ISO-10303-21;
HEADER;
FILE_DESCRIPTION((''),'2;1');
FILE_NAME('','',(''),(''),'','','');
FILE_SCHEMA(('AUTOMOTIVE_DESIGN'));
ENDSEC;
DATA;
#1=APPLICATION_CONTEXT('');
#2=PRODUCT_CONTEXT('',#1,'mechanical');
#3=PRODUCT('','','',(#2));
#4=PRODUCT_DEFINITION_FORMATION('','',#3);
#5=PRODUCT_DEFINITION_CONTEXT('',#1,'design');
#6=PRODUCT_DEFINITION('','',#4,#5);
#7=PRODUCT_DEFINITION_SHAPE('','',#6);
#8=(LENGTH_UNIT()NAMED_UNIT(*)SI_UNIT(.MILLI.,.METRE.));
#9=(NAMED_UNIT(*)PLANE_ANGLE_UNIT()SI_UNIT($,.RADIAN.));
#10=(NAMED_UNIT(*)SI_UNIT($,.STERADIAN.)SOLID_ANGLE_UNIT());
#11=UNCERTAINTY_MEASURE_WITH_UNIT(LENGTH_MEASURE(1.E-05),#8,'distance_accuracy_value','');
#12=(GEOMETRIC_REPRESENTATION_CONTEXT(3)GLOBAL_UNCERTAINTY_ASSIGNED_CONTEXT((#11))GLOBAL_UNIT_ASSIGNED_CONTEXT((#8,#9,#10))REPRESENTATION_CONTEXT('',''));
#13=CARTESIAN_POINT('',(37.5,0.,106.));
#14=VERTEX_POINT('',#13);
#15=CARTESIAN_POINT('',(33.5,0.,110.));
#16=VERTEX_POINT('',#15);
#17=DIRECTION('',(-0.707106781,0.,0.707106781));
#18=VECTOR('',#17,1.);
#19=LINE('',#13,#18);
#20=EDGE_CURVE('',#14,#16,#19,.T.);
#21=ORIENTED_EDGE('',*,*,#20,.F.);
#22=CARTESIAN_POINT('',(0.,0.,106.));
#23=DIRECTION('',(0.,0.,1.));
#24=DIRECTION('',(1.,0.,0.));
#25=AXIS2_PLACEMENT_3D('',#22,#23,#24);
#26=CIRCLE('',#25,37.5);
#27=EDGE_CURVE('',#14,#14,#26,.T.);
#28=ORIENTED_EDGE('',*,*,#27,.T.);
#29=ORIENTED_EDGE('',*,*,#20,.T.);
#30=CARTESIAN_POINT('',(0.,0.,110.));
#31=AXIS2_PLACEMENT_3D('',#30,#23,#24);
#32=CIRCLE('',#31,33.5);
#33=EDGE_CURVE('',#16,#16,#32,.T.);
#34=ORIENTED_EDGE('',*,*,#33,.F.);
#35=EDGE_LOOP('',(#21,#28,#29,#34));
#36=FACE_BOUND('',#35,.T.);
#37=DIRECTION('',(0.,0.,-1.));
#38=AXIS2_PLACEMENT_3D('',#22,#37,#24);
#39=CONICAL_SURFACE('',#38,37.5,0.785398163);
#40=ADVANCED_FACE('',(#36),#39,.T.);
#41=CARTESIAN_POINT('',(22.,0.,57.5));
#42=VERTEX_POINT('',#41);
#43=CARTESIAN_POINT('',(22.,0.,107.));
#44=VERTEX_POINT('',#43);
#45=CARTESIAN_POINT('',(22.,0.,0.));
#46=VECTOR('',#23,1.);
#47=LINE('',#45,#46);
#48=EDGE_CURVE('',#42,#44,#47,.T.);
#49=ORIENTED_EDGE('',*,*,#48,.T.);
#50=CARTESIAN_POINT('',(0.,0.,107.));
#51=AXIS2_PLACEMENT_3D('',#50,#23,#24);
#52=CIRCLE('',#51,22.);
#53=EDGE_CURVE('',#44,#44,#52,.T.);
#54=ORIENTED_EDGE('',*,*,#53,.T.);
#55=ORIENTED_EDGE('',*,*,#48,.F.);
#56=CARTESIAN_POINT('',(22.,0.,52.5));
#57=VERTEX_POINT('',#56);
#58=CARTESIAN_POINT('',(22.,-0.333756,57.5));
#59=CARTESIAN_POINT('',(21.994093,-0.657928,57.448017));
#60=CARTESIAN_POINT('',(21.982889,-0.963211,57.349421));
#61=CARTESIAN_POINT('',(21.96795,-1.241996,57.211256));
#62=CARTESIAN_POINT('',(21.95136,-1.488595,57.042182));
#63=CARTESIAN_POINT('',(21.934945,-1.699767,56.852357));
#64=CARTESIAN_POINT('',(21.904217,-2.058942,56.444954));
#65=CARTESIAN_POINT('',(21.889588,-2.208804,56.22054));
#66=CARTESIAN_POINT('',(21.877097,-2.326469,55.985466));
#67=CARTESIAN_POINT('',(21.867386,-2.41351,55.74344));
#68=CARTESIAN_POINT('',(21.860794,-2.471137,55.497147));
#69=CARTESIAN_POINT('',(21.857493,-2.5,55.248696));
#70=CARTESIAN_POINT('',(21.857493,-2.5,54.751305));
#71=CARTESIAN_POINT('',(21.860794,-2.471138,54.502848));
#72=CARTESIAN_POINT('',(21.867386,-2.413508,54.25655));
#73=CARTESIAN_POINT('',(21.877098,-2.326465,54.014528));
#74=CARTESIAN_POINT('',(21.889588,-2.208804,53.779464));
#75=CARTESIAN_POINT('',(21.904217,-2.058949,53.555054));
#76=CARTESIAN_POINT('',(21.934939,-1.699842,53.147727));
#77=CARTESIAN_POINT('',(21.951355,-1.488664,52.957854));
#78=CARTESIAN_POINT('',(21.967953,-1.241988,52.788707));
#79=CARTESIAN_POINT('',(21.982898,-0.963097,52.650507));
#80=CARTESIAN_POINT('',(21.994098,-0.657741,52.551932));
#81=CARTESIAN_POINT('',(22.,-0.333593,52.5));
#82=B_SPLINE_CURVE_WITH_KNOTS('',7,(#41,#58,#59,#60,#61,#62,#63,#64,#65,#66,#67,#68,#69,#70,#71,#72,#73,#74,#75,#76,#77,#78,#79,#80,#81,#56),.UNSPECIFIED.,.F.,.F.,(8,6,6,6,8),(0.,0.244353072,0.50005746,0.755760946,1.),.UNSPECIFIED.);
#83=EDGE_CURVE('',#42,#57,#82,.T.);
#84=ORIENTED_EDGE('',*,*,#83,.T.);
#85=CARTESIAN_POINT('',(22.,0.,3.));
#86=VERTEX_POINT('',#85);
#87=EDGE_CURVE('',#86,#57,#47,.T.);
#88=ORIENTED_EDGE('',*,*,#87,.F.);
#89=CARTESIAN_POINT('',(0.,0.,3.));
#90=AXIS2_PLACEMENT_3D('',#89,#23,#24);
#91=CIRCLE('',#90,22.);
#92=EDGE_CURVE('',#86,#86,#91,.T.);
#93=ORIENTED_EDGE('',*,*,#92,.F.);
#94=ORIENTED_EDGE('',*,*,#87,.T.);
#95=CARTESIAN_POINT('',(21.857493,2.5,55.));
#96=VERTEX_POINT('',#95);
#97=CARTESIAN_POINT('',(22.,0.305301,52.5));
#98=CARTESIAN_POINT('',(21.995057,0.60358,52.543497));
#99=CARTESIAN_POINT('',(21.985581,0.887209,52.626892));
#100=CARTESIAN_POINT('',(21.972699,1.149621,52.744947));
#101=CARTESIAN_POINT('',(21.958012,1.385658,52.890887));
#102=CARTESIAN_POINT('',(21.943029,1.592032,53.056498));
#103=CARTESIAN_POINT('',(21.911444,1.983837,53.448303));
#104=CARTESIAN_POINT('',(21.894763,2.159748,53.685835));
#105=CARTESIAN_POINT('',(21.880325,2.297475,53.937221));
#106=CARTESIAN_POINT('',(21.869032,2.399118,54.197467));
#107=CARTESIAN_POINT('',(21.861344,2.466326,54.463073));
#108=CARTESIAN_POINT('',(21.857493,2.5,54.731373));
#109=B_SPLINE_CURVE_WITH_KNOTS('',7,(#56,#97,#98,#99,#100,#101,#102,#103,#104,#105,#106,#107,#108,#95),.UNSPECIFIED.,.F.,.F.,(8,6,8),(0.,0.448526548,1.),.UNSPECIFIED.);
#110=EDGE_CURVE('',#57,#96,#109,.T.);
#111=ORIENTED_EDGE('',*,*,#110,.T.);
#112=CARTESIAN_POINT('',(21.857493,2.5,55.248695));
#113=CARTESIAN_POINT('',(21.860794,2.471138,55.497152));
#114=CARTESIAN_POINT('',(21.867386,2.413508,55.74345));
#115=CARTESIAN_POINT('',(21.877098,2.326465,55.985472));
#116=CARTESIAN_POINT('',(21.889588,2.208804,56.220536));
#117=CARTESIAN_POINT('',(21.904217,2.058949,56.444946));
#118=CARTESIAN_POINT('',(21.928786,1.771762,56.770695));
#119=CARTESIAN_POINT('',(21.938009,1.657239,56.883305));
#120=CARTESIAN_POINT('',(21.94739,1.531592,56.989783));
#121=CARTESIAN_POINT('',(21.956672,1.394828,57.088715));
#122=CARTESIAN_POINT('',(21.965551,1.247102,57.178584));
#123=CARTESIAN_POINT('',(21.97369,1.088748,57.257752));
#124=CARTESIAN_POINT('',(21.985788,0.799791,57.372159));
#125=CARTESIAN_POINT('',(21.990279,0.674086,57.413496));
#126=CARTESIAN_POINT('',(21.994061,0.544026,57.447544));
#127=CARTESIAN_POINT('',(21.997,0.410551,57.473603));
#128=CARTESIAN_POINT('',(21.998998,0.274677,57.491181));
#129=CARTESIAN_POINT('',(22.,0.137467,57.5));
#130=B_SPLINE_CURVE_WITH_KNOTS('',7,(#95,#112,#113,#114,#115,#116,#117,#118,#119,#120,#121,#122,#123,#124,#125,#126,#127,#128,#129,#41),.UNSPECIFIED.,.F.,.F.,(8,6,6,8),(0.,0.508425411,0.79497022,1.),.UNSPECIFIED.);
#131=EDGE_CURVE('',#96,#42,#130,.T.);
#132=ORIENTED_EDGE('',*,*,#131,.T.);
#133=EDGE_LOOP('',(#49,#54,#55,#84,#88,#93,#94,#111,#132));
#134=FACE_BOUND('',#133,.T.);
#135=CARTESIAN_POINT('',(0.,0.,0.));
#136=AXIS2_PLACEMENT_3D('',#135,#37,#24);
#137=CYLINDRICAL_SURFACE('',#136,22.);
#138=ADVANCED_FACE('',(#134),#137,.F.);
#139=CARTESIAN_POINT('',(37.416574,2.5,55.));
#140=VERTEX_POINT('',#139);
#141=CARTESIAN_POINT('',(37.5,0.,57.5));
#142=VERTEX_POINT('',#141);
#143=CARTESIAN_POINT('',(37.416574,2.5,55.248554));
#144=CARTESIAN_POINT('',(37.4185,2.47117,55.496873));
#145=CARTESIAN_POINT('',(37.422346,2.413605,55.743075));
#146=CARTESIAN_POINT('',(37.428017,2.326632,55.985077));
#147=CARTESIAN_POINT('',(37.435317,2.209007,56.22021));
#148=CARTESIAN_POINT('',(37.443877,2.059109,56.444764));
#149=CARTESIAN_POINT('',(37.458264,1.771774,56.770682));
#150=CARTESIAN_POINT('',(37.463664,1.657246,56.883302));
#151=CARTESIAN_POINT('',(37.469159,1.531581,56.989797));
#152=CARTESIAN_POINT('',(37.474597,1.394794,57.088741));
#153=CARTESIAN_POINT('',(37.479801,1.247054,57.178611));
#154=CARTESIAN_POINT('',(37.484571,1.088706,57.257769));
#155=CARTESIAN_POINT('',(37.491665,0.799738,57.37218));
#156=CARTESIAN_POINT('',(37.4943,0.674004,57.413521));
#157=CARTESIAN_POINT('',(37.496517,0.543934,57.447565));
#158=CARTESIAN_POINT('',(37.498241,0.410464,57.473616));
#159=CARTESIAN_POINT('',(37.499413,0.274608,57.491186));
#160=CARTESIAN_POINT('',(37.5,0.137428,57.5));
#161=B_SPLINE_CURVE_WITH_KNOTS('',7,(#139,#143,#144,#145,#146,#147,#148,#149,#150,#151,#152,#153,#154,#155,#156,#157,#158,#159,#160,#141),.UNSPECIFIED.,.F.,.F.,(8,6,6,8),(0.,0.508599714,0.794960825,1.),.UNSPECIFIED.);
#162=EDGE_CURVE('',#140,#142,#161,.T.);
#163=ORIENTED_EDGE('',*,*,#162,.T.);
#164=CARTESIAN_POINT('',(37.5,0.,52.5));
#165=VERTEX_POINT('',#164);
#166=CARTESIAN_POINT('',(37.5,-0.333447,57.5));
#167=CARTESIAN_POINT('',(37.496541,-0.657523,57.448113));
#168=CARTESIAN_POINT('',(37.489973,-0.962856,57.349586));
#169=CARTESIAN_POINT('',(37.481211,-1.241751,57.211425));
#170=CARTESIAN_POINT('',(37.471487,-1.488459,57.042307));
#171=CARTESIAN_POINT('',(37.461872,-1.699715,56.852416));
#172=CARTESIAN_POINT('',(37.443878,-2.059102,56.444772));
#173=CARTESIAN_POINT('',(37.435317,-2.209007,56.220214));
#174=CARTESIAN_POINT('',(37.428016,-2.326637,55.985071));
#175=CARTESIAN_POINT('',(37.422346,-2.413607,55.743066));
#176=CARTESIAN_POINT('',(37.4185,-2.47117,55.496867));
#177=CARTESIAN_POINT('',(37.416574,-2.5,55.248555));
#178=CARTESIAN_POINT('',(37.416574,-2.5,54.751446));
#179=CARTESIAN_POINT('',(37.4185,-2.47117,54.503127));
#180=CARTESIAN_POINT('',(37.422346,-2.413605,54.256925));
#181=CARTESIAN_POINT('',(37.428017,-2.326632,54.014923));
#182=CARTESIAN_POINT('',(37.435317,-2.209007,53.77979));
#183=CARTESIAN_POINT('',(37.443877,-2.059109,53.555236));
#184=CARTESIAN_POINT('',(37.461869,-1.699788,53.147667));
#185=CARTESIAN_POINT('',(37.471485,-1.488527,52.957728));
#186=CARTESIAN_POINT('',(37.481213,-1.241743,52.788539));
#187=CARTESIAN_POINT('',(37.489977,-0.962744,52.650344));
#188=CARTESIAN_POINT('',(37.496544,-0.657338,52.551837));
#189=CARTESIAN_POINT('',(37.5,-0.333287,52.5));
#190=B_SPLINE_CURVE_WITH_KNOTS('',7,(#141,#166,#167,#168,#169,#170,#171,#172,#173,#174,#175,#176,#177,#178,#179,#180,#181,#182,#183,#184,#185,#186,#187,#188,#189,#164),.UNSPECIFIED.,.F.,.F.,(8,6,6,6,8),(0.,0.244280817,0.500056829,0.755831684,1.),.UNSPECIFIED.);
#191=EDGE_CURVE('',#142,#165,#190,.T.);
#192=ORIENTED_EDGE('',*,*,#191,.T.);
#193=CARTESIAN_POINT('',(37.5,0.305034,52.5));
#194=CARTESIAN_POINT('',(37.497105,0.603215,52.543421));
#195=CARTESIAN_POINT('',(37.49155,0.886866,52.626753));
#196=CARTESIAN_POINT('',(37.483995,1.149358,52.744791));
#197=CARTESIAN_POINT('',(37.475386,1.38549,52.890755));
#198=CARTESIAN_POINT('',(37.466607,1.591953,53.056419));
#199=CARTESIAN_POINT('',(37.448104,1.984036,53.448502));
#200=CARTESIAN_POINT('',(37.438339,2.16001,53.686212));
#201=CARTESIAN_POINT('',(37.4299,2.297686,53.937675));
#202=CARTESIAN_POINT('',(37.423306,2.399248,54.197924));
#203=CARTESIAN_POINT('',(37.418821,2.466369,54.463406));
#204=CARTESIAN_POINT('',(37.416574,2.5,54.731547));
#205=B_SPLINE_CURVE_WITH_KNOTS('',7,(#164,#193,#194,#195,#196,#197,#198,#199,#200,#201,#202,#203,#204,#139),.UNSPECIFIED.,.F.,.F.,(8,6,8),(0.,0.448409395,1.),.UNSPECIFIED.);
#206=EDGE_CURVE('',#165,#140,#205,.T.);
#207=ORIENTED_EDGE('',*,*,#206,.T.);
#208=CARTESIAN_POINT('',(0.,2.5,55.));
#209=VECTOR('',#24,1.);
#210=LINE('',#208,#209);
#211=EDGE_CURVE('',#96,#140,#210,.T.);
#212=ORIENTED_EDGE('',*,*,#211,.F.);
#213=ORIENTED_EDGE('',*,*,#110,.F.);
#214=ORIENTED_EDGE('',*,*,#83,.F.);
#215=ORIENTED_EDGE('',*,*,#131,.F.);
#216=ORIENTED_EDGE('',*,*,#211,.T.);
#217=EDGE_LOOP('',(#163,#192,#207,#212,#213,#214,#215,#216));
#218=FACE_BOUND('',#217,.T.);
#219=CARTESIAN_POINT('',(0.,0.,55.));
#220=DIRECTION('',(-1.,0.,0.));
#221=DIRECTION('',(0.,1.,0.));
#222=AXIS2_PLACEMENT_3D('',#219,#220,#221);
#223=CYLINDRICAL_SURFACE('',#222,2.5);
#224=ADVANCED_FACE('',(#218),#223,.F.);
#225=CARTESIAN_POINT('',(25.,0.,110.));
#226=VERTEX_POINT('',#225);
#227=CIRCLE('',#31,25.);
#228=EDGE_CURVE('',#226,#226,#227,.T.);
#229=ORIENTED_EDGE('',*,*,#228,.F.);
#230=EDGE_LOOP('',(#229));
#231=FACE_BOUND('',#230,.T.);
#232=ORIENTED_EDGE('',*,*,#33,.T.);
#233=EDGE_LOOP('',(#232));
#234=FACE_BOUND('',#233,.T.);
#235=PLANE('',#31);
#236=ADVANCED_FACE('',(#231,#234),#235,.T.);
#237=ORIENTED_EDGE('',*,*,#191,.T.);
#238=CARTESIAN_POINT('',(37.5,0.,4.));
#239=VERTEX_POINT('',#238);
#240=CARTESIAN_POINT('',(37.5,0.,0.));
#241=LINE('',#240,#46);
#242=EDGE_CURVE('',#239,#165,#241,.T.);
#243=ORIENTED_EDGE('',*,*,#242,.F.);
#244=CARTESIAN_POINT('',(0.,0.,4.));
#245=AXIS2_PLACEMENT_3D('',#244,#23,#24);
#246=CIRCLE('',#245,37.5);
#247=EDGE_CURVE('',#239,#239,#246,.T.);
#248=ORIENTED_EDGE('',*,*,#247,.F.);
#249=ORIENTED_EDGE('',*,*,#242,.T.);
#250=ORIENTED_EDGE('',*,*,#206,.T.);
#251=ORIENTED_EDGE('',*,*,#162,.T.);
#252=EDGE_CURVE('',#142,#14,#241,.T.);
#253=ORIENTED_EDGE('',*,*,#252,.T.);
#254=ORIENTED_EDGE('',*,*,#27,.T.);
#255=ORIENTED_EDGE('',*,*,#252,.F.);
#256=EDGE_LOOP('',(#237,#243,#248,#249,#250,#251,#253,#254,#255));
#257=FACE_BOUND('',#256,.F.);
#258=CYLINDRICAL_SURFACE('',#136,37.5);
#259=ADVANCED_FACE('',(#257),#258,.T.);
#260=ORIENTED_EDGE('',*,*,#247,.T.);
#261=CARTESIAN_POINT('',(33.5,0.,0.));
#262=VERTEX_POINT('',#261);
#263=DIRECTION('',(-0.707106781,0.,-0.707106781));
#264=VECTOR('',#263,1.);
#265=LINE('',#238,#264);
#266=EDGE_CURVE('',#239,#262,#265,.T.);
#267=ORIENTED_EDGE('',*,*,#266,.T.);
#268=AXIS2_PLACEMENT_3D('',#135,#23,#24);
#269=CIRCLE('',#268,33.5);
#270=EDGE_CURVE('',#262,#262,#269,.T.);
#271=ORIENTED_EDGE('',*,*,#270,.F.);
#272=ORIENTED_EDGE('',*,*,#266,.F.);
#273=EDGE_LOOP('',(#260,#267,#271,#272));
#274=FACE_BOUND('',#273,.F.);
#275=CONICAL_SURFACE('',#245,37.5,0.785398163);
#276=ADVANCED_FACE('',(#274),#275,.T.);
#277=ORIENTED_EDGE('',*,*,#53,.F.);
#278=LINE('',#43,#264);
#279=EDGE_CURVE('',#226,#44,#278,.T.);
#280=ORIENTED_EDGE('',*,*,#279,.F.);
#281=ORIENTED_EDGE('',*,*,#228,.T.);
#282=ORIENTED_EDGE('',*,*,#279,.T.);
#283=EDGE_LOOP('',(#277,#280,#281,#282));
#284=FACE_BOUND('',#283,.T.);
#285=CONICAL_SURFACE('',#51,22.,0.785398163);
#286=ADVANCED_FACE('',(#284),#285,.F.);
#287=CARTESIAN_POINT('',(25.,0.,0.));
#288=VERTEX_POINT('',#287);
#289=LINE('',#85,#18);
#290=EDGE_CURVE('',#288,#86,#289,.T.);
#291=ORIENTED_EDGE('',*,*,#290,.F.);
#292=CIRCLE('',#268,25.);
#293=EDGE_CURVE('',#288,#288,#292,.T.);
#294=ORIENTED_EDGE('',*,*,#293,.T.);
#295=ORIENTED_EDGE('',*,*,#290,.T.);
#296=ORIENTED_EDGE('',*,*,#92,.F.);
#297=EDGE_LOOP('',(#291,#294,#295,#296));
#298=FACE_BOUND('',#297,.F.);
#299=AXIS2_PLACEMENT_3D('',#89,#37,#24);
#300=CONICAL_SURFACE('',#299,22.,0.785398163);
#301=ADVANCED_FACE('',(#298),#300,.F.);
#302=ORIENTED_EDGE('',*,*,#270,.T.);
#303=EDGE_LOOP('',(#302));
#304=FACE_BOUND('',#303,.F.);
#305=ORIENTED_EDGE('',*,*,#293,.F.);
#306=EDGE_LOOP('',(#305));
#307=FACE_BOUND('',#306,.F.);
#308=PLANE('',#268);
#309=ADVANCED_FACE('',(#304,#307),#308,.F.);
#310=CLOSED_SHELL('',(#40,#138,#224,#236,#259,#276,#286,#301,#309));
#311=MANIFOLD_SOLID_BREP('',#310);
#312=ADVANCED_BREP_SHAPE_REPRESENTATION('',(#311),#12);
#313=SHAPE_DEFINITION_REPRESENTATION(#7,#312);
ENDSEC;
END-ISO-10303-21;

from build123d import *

# Parameters (mm, degrees)
F0_R     = 37.5
F0_R_2   = 22
F1_DEPTH = 110
F2_SIZE  = 4
F3_SIZE  = 3
F4_R     = 2.5
F5_DEPTH = 38.5000001


with BuildPart() as f1:
    # F0 (on Top) → F1 (new body)
    with BuildSketch(Plane.XY):
        Circle(F0_R)
        Circle(F0_R_2, mode=Mode.SUBTRACT)
    extrude(amount=F1_DEPTH)

    # F2
    f2_edges = [f1.edges().sort_by_distance(p)[0] for p in [
        (-37.5, 0, 110),
        (-37.5, 0, 0),
    ]]
    chamfer(f2_edges, length=F2_SIZE)

    # F3
    f3_edges = [f1.edges().sort_by_distance(p)[0] for p in [
        (-22, 0, 110),
        (-22, 0, 0),
    ]]
    chamfer(f3_edges, length=F3_SIZE)

    # F4 (on Right) → F5 (cut, up to face)
    with BuildSketch(Plane.YZ):
        with Locations((0, 55)):
            Circle(F4_R)
    extrude(amount=F5_DEPTH, mode=Mode.SUBTRACT)


solid = f1.part
